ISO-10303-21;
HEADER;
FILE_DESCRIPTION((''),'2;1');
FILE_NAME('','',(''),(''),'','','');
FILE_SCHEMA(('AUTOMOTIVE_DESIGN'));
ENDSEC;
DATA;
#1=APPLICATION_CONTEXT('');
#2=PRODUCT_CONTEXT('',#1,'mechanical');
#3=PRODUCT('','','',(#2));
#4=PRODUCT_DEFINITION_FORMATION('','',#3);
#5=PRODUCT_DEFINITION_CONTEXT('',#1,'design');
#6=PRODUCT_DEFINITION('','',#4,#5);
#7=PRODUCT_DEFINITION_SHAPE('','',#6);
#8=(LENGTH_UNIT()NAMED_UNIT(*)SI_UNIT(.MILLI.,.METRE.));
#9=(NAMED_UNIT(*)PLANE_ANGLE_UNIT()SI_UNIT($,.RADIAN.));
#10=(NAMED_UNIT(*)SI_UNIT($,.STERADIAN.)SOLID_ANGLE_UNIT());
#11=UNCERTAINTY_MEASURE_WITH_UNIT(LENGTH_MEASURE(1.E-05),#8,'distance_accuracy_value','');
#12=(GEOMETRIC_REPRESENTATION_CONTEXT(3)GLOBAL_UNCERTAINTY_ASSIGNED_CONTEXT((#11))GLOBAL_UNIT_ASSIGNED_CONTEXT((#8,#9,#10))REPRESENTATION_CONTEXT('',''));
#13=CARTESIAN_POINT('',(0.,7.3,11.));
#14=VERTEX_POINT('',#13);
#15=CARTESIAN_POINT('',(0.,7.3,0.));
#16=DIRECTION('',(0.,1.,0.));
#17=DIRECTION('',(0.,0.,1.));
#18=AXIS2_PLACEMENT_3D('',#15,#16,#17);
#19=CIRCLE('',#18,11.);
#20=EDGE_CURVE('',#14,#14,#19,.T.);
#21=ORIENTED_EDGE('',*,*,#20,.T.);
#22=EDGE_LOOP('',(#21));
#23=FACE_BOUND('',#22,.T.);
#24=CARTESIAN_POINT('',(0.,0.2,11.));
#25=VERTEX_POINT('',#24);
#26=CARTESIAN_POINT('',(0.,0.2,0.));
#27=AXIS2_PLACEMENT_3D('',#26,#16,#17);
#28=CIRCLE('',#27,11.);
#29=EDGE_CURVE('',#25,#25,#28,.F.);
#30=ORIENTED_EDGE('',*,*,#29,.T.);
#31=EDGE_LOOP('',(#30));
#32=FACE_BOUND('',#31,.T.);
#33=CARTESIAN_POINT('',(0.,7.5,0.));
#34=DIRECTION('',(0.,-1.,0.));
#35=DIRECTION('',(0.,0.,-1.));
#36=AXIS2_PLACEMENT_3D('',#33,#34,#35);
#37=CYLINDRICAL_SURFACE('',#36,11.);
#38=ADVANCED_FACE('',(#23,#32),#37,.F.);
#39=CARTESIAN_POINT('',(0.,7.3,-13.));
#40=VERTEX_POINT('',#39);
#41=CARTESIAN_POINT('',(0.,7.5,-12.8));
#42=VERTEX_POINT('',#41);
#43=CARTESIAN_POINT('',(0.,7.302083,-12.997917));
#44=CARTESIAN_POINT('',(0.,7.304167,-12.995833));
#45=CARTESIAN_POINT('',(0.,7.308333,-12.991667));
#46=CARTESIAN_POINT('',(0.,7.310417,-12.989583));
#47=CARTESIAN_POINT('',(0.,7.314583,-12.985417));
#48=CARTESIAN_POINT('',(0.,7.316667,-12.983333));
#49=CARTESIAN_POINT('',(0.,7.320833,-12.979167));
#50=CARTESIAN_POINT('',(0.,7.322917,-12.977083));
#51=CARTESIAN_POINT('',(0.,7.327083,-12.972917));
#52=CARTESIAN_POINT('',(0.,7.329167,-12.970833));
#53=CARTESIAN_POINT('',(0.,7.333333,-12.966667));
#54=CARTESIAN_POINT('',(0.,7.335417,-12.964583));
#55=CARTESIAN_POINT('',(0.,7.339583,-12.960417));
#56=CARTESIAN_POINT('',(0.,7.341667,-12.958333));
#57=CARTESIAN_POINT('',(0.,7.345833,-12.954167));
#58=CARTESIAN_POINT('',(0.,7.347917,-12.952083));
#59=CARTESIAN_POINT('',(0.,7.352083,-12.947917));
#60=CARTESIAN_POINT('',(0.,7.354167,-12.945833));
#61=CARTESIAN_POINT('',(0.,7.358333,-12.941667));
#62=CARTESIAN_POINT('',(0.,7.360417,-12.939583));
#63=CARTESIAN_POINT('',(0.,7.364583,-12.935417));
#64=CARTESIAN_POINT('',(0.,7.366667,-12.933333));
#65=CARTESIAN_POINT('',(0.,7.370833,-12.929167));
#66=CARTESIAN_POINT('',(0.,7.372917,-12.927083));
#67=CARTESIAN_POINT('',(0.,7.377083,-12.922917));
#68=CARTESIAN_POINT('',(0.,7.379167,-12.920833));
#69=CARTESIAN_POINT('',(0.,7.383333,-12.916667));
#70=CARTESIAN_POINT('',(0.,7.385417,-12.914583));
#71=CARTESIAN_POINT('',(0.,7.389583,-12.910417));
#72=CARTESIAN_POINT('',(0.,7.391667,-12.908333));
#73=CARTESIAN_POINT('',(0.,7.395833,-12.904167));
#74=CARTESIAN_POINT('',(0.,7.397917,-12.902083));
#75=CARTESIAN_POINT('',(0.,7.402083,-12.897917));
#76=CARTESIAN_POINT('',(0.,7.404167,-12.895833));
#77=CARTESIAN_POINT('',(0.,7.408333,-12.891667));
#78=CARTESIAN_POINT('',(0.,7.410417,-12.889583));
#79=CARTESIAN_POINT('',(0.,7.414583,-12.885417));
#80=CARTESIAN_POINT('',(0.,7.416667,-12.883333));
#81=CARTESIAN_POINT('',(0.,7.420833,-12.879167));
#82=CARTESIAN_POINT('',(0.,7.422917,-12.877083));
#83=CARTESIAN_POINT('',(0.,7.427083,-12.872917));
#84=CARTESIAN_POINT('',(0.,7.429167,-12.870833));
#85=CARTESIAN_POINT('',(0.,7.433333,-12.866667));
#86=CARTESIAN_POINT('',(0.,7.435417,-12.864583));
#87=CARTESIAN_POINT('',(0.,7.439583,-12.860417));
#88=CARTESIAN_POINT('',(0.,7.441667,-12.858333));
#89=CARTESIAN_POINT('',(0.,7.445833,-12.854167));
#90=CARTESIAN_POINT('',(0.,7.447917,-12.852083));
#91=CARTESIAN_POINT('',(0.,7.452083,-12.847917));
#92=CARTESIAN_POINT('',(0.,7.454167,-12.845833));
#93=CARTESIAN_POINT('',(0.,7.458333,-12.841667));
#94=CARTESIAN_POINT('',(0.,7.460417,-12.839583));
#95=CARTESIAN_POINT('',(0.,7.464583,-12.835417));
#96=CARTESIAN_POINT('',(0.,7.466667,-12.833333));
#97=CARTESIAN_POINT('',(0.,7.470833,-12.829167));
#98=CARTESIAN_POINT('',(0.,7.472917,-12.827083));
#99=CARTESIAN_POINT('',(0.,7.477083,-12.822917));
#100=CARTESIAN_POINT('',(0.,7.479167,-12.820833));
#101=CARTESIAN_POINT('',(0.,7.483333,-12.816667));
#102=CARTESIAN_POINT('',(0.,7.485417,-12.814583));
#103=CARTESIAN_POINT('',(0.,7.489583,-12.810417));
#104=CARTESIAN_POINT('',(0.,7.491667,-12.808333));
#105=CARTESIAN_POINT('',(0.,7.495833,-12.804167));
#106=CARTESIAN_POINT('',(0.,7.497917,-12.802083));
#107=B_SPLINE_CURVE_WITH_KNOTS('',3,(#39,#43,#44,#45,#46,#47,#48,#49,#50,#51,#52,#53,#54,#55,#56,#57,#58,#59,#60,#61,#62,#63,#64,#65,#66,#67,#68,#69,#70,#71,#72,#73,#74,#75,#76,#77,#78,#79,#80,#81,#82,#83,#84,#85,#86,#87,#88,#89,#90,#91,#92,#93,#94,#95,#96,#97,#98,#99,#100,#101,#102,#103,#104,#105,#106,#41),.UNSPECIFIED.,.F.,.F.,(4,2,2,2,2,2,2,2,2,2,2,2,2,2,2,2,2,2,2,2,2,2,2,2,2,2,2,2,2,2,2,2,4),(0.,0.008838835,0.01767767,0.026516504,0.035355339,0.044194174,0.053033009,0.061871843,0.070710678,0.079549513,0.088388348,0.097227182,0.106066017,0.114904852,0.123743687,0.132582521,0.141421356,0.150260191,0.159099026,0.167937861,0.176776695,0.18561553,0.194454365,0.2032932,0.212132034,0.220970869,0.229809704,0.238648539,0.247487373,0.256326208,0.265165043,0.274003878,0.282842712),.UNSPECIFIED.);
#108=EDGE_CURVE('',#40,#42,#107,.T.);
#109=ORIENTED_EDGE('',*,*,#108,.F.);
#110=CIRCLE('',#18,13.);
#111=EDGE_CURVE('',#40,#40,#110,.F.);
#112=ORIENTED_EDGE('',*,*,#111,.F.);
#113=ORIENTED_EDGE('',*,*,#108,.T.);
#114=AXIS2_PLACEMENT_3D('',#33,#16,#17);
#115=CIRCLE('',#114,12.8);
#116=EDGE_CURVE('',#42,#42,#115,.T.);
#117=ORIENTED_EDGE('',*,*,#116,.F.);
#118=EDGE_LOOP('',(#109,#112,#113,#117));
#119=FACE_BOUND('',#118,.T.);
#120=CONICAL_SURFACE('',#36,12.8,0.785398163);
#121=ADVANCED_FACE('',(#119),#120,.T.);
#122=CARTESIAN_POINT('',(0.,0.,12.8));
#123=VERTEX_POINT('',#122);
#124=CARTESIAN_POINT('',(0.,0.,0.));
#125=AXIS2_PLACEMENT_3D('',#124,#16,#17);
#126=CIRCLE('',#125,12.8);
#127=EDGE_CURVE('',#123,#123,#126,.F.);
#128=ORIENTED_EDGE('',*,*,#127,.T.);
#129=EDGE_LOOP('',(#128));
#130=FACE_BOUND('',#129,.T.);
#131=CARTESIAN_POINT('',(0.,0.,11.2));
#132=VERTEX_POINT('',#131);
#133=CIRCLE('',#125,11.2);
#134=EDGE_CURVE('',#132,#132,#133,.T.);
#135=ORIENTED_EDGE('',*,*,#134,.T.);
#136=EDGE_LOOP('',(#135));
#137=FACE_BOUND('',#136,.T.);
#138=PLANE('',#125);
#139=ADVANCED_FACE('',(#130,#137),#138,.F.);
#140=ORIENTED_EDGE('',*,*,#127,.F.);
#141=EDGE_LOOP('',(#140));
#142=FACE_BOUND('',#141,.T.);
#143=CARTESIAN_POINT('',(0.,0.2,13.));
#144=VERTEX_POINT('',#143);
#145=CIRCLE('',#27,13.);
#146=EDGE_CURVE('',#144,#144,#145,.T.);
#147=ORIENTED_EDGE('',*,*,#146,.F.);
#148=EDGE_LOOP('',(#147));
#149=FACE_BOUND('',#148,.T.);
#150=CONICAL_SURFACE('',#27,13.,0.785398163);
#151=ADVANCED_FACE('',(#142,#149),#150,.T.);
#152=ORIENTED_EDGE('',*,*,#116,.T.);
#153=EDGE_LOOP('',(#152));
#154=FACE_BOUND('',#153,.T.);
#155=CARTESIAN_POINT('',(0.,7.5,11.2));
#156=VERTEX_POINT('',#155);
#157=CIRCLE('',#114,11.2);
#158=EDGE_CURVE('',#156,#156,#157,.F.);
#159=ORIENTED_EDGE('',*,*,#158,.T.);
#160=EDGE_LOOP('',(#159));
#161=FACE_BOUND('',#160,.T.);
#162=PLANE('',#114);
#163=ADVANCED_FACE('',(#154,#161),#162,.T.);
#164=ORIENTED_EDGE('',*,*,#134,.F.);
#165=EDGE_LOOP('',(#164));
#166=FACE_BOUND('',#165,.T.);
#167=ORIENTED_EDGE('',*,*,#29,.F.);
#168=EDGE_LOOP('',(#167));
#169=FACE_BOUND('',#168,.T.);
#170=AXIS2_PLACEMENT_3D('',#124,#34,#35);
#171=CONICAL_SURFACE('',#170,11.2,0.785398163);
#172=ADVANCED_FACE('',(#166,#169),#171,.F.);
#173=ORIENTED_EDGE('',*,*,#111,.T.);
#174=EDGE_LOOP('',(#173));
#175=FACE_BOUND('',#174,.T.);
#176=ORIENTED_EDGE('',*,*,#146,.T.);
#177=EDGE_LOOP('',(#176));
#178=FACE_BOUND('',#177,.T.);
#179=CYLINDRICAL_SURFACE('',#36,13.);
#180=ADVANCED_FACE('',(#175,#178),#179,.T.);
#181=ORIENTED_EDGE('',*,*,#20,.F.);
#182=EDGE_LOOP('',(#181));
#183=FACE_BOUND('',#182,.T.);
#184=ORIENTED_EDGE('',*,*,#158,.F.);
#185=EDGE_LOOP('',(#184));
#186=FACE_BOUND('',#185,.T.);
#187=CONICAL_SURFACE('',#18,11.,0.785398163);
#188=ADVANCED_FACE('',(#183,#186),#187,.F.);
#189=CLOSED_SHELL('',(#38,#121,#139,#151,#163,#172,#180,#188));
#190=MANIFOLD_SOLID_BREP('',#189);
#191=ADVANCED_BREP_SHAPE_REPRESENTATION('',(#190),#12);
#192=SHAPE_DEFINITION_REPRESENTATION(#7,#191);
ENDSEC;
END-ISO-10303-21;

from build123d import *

# Parameters (mm, degrees)
SKETCH1_R           = 13
SKETCH1_R_2         = 11
BOSS_EXTRUDE1_DEPTH = 7.5
CHAMFER1_SIZE       = 0.2


with BuildPart() as part:
    # Sketch1 → Boss-Extrude1 (new body)
    with BuildSketch(Plane(origin=(0, 0, 0), x_dir=(1, 0, 0), z_dir=(0, 1, 0))):
        with Locations(Location((0, 0, 0), (0, 0, 270))):
            Circle(SKETCH1_R)
        with Locations(Location((0, 0, 0), (0, 0, 270))):
            Circle(SKETCH1_R_2, mode=Mode.SUBTRACT)
    extrude(amount=BOSS_EXTRUDE1_DEPTH)

    # Chamfer1
    chamfer1_edges = [part.edges().sort_by_distance(p)[0] for p in [
        (0, 0, -13),
        (0, 7.5, -13),
        (0, 0, -11),
        (0, 7.5, -11),
    ]]
    chamfer(chamfer1_edges, length=CHAMFER1_SIZE)


solid = part.part
